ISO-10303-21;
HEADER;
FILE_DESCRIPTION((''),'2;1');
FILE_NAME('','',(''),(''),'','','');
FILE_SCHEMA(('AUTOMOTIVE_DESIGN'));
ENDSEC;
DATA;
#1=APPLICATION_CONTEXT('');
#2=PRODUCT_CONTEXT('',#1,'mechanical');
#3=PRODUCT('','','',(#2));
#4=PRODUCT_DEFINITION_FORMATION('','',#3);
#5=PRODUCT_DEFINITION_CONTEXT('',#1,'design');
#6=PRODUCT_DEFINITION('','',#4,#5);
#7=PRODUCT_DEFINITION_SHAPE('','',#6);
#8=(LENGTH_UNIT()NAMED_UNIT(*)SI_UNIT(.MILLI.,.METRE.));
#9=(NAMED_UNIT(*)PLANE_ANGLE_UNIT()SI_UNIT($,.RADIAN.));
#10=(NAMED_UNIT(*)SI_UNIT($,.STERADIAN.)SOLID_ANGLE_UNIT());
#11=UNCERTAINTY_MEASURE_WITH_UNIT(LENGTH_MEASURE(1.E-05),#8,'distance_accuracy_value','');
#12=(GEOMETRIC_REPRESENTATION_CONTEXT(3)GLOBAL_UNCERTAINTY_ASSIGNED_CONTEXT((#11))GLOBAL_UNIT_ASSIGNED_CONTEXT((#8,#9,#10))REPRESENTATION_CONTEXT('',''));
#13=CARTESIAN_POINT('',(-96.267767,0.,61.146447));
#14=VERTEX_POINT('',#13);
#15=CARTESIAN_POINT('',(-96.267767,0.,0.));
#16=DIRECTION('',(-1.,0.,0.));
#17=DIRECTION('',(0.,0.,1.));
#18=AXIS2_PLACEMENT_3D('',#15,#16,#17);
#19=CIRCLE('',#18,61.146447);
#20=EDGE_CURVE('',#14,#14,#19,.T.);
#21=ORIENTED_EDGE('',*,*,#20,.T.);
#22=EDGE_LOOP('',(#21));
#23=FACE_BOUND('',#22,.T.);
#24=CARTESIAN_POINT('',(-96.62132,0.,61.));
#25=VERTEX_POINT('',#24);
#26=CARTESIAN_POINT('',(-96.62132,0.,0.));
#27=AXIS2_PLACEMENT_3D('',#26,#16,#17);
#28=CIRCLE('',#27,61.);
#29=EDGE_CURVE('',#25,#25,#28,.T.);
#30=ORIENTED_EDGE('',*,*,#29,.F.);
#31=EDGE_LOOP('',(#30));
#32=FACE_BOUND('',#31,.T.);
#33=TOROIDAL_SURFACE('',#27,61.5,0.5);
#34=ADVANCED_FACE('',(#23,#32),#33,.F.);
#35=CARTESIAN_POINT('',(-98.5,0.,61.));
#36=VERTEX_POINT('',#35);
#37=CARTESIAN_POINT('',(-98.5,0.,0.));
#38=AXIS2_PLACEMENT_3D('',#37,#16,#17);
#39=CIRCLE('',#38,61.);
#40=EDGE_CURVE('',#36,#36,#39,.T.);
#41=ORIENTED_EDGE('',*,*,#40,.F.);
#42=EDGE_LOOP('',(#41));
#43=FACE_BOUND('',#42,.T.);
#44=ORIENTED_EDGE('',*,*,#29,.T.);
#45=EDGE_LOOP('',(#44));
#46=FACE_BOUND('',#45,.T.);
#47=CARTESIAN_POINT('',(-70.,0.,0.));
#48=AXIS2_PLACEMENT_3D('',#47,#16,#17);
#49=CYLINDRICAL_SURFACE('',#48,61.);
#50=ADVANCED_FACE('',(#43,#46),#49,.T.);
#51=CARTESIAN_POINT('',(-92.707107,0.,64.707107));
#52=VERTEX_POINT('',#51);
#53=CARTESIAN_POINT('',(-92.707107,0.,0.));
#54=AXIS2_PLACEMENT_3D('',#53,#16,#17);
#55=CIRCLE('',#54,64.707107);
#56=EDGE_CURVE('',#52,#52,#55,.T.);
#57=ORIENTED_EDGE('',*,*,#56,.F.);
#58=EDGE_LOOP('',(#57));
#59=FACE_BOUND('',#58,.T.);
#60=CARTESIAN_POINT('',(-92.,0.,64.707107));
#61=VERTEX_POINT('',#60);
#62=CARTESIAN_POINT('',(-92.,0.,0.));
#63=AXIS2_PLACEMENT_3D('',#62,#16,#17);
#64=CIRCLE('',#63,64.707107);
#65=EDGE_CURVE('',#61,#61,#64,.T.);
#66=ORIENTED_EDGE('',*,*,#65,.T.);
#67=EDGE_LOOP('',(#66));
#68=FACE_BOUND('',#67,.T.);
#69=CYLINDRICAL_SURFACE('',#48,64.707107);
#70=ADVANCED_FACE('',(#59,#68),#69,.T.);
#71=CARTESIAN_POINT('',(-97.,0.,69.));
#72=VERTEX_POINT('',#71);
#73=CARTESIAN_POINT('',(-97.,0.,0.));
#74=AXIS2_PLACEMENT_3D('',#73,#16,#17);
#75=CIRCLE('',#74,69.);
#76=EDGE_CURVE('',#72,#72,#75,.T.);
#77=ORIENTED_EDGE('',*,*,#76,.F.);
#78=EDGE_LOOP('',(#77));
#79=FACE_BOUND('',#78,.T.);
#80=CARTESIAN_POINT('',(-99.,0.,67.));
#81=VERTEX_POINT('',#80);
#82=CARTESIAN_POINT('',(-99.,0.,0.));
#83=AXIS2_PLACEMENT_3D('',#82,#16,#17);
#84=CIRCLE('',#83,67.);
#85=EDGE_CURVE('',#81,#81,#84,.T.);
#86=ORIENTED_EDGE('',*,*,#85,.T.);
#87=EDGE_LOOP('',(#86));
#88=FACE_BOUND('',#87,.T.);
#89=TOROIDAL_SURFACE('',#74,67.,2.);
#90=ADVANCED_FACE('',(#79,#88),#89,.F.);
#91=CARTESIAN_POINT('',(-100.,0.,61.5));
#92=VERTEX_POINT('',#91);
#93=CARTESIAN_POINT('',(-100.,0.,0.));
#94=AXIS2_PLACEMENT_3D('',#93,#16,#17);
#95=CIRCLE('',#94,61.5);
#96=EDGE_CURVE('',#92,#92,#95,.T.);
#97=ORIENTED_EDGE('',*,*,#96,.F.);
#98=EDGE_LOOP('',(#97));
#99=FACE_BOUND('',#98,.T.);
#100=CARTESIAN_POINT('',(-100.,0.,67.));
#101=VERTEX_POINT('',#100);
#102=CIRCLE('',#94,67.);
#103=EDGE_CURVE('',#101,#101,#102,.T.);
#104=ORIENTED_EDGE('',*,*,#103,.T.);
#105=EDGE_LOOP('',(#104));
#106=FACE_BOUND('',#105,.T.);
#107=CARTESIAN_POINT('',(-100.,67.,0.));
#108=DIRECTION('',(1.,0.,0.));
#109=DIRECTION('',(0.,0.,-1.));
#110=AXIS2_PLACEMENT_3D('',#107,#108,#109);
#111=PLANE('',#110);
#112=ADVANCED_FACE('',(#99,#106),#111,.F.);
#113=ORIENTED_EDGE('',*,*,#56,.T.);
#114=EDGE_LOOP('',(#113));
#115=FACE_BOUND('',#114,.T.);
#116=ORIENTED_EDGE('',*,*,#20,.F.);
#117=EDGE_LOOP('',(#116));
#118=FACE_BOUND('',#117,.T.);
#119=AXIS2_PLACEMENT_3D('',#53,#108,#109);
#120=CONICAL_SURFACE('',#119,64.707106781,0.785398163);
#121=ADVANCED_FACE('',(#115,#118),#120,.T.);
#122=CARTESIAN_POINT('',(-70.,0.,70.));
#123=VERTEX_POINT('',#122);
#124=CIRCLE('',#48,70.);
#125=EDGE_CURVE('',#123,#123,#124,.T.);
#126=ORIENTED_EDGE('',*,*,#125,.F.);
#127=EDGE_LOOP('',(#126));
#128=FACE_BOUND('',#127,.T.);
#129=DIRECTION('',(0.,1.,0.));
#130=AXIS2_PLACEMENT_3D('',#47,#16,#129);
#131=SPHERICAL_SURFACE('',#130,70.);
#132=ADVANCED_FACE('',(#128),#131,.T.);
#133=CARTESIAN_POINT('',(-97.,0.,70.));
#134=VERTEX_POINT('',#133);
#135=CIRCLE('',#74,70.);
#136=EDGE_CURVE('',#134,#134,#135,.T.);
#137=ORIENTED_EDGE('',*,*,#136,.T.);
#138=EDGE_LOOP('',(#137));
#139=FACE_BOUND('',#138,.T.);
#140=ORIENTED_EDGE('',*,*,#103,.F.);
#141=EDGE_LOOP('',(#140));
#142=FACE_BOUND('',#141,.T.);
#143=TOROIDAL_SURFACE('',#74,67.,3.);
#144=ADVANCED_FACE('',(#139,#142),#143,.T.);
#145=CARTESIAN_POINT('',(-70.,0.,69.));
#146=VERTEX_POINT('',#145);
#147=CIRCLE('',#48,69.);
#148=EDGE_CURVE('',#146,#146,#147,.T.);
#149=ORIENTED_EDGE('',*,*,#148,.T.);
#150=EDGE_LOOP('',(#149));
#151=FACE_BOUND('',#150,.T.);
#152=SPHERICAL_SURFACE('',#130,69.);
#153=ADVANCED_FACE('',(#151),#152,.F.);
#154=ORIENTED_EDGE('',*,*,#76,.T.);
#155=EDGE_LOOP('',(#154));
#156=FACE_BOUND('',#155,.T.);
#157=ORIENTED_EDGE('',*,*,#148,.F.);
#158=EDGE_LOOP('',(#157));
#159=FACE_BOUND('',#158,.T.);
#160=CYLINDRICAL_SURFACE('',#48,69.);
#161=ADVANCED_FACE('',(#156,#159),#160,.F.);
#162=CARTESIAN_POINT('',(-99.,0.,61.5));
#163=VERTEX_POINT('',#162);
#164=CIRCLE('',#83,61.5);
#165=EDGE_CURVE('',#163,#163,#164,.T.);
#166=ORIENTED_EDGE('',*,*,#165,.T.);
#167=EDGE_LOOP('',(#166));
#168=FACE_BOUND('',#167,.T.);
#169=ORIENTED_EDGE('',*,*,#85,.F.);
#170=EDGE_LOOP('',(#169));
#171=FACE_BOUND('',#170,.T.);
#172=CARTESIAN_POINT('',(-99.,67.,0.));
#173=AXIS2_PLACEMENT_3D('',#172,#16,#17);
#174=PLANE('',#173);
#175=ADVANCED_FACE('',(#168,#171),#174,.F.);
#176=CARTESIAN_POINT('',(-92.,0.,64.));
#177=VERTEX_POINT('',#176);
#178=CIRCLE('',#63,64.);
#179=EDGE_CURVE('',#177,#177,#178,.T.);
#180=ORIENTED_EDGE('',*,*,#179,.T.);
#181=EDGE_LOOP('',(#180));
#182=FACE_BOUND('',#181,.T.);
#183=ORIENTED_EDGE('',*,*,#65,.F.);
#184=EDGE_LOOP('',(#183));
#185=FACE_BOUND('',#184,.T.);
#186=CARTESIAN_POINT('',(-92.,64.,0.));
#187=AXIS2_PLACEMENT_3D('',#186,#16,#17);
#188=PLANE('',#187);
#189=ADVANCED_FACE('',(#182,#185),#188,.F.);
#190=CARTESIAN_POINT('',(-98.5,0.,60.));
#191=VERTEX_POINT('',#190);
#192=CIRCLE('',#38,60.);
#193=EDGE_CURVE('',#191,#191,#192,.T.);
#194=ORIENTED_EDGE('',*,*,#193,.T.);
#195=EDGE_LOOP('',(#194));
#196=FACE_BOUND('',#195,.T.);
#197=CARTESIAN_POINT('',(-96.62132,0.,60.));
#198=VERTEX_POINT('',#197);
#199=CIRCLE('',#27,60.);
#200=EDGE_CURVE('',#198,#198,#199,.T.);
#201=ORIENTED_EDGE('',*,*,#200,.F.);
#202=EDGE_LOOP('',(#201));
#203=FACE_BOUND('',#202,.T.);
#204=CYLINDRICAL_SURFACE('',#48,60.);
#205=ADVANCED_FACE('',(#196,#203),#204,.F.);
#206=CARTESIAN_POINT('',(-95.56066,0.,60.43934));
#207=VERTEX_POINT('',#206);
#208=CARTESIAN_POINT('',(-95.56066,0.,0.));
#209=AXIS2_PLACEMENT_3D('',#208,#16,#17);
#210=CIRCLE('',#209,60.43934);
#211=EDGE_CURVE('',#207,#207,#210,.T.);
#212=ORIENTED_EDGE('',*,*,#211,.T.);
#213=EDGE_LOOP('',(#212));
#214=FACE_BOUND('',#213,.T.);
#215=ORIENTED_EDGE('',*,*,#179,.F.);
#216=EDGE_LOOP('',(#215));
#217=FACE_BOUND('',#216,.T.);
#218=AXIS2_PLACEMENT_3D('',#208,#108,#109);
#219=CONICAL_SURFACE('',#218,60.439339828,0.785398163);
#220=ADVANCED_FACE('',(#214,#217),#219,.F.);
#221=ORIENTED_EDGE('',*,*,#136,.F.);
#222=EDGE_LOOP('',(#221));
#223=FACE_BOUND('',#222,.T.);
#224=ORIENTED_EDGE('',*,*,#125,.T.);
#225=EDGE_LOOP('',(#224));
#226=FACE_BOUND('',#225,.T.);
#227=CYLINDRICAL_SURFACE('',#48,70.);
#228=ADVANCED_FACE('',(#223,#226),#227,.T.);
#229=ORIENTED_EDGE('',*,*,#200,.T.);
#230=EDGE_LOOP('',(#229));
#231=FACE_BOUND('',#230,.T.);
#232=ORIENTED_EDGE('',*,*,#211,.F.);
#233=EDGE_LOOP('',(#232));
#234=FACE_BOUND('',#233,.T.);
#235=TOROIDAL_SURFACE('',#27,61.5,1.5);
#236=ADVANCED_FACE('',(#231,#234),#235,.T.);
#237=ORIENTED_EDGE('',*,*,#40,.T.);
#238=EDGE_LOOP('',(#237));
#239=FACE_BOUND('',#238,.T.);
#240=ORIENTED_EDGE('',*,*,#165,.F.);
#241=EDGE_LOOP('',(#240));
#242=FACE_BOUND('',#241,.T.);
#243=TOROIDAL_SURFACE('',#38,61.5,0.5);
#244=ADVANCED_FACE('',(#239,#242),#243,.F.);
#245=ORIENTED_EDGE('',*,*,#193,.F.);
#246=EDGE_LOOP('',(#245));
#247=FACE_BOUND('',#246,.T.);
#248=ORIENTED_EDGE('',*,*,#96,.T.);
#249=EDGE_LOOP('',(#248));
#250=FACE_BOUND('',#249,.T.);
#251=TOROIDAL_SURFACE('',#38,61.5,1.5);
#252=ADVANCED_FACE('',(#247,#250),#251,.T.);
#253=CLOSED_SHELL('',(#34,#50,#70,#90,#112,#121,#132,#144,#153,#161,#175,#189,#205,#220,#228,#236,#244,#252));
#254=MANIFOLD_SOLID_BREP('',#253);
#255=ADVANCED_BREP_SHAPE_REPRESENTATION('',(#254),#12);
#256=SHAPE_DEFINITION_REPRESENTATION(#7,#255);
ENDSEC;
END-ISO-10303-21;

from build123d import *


with BuildPart() as part:
    # Sketch1 → Revolve1 (revolve)
    with BuildSketch(Plane.XY):
        with BuildLine():
            Line((-70, 70), (-97, 70))
            ThreePointArc((-97, 70), (-99.121320344, 69.121320344), (-100, 67))
            Line((-100, 67), (-100, 61.5))
            ThreePointArc((-100, 61.5), (-99.560660172, 60.439339828), (-98.5, 60))
            Line((-98.5, 60), (-96.621320344, 60))
            ThreePointArc((-96.621320344, 60), (-96.047295195, 60.114180701), (-95.560660172, 60.439339828))
            Line((-95.560660172, 60.439339828), (-92, 64))
            Line((-92, 64), (-92, 64.707106781))
            Line((-92, 64.707106781), (-92.707106781, 64.707106781))
            Line((-92.707106781, 64.707106781), (-96.267766953, 61.146446609))
            ThreePointArc((-96.267766953, 61.146446609), (-96.429978627, 61.038060234), (-96.621320344, 61))
            Line((-96.621320344, 61), (-98.5, 61))
            ThreePointArc((-98.5, 61), (-98.853553391, 61.146446609), (-99, 61.5))
            Line((-99, 61.5), (-99, 67))
            ThreePointArc((-99, 67), (-98.414213562, 68.414213562), (-97, 69))
            Line((-97, 69), (-70, 69))
            ThreePointArc((-70, 69), (-21.209632098, 48.790367902), (-1, 0))
            Line((-1, 0), (0, 0))
            ThreePointArc((0, 0), (-20.502525317, 49.497474683), (-70, 70))
        make_face()
    revolve(axis=Axis((-70, 0, 0), (1, 0, 0)))


solid = part.part
